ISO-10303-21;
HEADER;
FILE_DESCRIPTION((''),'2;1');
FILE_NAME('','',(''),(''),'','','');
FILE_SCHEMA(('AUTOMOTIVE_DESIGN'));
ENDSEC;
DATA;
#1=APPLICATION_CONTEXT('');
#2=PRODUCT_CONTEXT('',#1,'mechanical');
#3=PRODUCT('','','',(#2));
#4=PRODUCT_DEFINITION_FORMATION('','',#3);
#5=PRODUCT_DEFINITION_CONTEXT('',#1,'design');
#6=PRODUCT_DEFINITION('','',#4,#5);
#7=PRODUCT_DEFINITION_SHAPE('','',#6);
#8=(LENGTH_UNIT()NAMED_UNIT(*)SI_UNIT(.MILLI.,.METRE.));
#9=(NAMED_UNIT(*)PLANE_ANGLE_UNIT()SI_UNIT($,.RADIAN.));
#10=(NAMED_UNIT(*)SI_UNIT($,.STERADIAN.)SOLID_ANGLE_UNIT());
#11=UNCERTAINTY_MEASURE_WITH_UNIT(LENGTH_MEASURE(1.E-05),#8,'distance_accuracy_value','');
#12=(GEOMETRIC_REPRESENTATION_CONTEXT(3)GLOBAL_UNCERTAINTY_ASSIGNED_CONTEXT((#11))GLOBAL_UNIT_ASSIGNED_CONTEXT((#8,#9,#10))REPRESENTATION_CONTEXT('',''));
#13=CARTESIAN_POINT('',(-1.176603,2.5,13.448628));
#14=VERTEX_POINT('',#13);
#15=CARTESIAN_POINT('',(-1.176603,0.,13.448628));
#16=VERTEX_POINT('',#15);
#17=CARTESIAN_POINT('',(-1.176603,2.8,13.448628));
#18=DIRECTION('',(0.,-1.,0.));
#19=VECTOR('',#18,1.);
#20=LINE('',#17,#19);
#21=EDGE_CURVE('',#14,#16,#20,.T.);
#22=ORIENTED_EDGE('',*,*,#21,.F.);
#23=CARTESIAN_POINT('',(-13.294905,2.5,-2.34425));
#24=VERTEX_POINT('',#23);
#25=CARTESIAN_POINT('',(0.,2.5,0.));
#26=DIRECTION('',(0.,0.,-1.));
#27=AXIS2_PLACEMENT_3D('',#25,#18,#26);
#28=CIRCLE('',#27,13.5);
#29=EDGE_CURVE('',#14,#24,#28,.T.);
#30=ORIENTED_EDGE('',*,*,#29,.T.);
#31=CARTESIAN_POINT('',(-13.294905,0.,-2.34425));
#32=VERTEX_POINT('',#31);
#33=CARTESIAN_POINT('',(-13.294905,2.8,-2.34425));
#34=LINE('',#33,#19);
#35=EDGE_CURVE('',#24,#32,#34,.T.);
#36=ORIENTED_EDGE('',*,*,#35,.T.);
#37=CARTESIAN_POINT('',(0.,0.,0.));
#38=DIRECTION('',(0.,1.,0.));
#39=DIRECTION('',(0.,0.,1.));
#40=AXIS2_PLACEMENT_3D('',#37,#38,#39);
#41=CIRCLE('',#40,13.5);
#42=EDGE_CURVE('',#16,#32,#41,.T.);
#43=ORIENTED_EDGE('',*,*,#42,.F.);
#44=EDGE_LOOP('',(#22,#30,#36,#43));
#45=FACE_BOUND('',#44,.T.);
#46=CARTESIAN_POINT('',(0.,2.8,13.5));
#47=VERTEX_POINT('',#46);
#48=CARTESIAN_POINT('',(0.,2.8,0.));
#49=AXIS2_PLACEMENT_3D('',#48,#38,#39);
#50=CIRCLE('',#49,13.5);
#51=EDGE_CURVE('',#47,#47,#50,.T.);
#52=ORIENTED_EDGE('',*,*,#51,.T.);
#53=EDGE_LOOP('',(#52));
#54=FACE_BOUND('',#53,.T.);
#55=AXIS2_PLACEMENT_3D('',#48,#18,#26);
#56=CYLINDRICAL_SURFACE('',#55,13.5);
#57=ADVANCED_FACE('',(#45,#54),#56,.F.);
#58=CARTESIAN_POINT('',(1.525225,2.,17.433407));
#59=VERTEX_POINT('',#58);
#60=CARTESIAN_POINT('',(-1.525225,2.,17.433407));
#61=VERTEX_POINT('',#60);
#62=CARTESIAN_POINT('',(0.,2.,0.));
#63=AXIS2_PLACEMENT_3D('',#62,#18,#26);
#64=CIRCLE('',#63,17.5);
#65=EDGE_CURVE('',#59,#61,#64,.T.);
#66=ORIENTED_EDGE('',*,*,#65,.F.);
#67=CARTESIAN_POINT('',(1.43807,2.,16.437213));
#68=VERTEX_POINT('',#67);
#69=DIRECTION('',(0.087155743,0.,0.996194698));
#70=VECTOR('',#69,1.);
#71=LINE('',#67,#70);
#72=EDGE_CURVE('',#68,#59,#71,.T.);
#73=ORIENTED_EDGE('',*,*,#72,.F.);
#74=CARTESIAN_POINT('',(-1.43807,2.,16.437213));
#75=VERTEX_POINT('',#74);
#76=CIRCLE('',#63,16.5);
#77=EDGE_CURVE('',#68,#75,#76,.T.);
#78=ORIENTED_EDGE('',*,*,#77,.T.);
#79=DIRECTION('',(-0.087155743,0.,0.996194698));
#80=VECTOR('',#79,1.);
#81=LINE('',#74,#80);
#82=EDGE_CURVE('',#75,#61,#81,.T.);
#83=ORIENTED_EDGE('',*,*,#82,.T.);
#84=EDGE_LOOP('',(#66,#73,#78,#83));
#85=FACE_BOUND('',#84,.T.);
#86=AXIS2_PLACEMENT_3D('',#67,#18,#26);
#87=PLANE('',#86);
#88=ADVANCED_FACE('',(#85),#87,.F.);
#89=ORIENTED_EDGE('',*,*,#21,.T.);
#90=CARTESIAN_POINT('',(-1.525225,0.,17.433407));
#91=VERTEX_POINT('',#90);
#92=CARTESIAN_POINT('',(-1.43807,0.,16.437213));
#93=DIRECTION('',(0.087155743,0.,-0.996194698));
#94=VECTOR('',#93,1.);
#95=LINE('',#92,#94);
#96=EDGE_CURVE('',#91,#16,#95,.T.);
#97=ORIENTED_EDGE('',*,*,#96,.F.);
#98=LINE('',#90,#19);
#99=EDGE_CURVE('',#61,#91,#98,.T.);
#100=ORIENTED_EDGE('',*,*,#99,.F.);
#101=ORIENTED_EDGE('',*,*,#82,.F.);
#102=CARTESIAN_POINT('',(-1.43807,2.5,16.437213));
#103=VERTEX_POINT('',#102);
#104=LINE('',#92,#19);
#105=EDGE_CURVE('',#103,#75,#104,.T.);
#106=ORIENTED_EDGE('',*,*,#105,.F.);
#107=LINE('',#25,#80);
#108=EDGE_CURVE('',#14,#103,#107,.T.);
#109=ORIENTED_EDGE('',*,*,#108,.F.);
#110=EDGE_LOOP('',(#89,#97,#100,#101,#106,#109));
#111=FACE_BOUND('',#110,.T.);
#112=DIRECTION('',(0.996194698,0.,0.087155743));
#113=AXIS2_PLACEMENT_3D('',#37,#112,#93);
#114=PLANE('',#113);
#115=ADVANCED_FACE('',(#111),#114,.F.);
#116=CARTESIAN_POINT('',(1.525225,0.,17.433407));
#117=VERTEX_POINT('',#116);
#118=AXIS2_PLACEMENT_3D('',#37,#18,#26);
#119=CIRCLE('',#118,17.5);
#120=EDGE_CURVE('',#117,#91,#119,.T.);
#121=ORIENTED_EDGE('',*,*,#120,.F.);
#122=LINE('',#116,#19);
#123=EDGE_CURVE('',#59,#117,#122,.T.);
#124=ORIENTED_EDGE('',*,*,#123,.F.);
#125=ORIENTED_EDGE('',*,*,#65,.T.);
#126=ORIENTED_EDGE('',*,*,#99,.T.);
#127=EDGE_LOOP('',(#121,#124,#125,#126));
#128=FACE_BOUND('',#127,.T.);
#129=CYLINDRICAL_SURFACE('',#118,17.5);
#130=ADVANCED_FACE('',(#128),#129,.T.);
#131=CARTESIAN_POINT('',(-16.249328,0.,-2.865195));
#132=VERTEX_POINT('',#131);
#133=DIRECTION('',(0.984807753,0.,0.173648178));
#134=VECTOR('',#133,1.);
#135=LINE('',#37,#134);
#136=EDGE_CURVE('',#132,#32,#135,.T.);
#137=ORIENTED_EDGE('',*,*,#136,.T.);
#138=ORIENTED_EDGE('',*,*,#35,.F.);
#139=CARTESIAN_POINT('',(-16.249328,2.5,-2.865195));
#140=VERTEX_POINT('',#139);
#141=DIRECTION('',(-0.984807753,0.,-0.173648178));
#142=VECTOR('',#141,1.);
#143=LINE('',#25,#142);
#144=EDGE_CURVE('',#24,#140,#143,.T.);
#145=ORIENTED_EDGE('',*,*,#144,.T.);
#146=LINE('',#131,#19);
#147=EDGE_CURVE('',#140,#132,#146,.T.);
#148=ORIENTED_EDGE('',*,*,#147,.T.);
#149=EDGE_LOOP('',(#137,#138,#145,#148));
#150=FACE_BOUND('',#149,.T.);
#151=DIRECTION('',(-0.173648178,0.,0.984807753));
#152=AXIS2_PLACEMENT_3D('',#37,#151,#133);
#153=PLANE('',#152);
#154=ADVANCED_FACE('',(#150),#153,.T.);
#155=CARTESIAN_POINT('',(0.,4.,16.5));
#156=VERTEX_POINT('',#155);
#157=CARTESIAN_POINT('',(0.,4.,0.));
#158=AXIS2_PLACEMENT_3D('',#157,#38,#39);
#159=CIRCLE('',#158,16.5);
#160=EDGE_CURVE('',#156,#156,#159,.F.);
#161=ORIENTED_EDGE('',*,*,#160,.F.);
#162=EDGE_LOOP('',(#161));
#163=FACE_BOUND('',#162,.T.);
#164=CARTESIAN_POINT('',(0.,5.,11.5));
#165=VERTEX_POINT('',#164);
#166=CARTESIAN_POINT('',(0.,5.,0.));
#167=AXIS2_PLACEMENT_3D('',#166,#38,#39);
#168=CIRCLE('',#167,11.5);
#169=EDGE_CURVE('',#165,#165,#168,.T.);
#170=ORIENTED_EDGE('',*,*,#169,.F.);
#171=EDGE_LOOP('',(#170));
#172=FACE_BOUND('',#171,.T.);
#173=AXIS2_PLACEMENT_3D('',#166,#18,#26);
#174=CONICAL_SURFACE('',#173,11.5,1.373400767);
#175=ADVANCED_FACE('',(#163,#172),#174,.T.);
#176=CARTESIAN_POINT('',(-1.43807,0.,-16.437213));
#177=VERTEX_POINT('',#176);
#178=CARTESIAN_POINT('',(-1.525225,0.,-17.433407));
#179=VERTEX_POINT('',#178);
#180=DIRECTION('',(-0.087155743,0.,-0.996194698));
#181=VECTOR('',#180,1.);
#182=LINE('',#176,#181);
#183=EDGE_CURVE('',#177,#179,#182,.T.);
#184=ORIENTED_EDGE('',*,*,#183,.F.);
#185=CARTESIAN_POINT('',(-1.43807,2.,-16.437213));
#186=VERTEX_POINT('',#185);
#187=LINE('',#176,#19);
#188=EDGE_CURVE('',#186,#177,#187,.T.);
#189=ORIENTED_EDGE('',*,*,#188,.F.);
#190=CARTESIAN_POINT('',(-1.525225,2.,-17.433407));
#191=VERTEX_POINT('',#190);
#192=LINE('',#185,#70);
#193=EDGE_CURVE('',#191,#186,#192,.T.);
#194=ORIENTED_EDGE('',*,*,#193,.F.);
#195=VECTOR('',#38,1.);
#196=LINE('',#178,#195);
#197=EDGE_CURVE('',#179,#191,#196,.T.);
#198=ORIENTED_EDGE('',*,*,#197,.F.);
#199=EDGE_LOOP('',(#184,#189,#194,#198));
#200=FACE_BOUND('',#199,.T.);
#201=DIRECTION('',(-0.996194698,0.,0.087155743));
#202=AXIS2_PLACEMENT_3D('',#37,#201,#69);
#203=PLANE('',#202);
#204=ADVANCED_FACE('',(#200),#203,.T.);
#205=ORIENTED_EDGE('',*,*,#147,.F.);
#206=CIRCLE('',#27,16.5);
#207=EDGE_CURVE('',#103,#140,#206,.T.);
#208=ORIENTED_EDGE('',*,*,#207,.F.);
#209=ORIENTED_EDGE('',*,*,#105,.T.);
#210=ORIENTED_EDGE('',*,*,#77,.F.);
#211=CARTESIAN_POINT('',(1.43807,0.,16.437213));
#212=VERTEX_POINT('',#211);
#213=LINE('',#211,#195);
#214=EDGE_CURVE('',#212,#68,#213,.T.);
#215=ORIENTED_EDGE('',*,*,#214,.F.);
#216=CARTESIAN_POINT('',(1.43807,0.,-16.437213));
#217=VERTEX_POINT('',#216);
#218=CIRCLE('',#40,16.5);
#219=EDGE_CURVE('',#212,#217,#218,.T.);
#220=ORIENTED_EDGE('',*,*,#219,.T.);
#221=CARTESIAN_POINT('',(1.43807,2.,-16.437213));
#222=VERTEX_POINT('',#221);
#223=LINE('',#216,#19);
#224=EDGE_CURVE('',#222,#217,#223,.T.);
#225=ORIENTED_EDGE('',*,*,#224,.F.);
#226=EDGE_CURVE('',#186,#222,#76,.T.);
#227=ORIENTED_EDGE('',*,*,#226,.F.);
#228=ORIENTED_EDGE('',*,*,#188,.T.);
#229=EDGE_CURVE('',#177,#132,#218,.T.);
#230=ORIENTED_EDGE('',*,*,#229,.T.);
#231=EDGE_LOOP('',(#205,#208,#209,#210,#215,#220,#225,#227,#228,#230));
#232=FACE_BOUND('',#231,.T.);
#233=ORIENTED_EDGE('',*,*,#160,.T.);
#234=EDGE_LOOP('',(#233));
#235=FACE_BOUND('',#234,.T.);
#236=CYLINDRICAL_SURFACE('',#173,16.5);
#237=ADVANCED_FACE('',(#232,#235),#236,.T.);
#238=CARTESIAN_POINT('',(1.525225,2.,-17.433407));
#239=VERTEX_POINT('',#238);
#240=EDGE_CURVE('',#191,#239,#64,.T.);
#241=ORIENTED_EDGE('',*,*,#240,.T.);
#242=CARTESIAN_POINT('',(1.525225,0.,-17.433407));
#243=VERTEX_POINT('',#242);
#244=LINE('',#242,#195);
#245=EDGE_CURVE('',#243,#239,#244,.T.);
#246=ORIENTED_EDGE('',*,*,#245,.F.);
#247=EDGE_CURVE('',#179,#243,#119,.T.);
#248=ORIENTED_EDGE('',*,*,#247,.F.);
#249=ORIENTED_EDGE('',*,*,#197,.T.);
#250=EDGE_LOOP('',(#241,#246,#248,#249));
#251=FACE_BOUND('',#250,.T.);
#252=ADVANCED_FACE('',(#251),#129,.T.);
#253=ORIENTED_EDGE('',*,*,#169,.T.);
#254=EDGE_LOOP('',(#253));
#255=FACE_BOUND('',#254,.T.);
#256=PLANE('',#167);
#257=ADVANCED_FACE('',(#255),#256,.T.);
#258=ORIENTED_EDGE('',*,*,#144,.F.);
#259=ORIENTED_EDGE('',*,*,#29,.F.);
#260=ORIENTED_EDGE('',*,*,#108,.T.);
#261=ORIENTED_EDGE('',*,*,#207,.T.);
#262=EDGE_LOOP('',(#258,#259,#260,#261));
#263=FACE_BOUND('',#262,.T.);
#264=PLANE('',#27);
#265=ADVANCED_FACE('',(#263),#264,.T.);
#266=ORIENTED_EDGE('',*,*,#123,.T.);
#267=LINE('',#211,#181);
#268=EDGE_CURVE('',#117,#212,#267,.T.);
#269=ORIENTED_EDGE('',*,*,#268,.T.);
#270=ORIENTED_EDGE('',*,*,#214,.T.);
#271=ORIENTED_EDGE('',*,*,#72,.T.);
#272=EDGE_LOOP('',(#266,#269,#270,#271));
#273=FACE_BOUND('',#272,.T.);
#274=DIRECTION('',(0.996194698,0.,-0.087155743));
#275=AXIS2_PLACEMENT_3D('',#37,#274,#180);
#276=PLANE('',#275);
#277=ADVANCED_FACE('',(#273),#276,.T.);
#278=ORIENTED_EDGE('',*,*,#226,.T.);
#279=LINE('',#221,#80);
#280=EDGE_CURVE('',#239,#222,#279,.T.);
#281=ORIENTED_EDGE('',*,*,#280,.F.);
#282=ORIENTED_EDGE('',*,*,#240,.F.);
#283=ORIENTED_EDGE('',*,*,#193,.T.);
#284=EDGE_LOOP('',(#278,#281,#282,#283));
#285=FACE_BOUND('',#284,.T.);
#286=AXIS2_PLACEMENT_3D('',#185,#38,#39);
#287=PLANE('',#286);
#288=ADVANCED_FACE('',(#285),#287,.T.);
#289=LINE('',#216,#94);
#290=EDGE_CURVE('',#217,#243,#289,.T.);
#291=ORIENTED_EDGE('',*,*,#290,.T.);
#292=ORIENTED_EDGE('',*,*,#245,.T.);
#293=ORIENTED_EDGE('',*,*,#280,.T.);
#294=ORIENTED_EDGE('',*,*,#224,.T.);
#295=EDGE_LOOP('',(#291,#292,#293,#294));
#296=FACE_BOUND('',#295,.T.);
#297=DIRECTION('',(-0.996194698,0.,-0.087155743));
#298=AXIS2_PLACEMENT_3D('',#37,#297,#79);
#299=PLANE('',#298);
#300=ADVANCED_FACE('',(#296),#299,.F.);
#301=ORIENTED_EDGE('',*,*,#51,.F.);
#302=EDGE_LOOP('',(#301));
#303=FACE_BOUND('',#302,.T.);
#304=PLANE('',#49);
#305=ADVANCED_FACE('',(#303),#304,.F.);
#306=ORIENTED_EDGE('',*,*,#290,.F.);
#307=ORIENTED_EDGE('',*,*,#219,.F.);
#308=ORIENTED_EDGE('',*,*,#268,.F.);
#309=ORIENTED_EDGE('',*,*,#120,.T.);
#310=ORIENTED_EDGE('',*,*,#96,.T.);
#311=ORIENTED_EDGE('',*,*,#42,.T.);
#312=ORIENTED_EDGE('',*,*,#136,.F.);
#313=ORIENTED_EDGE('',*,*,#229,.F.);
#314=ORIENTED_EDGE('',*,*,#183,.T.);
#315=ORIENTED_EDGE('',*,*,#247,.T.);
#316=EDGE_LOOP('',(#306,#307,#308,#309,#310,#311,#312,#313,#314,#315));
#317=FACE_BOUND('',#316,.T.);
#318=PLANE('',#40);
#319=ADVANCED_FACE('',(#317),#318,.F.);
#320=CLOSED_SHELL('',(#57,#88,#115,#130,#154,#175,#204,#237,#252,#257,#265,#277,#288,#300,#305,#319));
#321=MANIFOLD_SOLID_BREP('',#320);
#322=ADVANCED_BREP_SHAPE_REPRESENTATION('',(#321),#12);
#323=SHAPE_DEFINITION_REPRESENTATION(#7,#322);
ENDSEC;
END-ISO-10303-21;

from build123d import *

# Parameters (mm, degrees)
SKETCH1_R                    = 16.5
BOSS_EXTRUDE1_DEPTH          = 5
CHAMFER2_SIZE                = 1
CHAMFER2_SIZE2               = 5
SKETCH3_R                    = 13.5
CUT_EXTRUDE1_DEPTH           = 2.8
SKETCH5_W                    = 1
SKETCH5_H                    = 2
REVOLVE4_ANGLE               = 5
REVOLVE4_OTHER_WAY_ANGLE     = 5
SKETCH6_W                    = 1
SKETCH6_H                    = 2
REVOLVE6_ANGLE               = 5
REVOLVE6_OTHER_WAY_ANGLE     = 5
SKETCH9_W                    = 16.5
SKETCH9_H                    = 2.5
CUT_REVOLVE1_ANGLE           = 85
CUT_REVOLVE1_OTHER_WAY_ANGLE = 10


with BuildPart() as part:
    # Sketch1 → Boss-Extrude1 (new body)
    with BuildSketch(Plane(origin=(0, 0, 0), x_dir=(1, 0, 0), z_dir=(0, 1, 0))):
        with Locations(Location((0, 0, 0), (0, 0, 270))):
            Circle(SKETCH1_R)
    extrude(amount=BOSS_EXTRUDE1_DEPTH)

    # Chamfer2
    chamfer2_edges = [part.edges().sort_by_distance(p)[0] for p in [
        (0, 5, -16.5),
    ]]
    chamfer2_side = [part.faces().sort_by_distance(p)[0] for p in [
        (0, 2.5, -16.5),
    ]]
    chamfer(chamfer2_edges, length=CHAMFER2_SIZE, length2=CHAMFER2_SIZE2, reference=chamfer2_side[0])

    # Sketch3 → Cut-Extrude1 (cut)
    with BuildSketch(Plane(origin=(0, 0, 0), x_dir=(1, 0, 0), z_dir=(0, 1, 0))):
        with Locations(Location((0, 0, 0), (0, 0, 270))):
            Circle(SKETCH3_R)
    extrude(amount=CUT_EXTRUDE1_DEPTH, mode=Mode.SUBTRACT)

    # Sketch5 → Revolve4 (revolve)
    with BuildSketch(Plane(origin=(0, 0, 0), x_dir=(0, 0, -1), z_dir=(1, 0, 0))):
        with Locations((17, 1)):
            Rectangle(SKETCH5_W, SKETCH5_H)
    revolve(axis=Axis((0, 0, 0), (0, 1, 0)), revolution_arc=REVOLVE4_ANGLE)

    # Sketch5 → Revolve4 other way (revolve)
    with BuildSketch(Plane(origin=(0, 0, 0), x_dir=(0, 0, -1), z_dir=(1, 0, 0))):
        with Locations((17, 1)):
            Rectangle(SKETCH5_W, SKETCH5_H)
    revolve(axis=Axis((0, 0, 0), (0, -1, 0)), revolution_arc=REVOLVE4_OTHER_WAY_ANGLE)

    # Sketch6 → Revolve6 (revolve)
    with BuildSketch(Plane(origin=(0, 0, 0), x_dir=(0, 0, -1), z_dir=(1, 0, 0))):
        with Locations((-17, 1)):
            Rectangle(SKETCH6_W, SKETCH6_H)
    revolve(axis=Axis((0, 0, 0), (0, 1, 0)), revolution_arc=REVOLVE6_ANGLE)

    # Sketch6 → Revolve6 other way (revolve)
    with BuildSketch(Plane(origin=(0, 0, 0), x_dir=(0, 0, -1), z_dir=(1, 0, 0))):
        with Locations((-17, 1)):
            Rectangle(SKETCH6_W, SKETCH6_H)
    revolve(axis=Axis((0, 0, 0), (0, -1, 0)), revolution_arc=REVOLVE6_OTHER_WAY_ANGLE)

    # Sketch9 → Cut-Revolve1 (revolve, cut)
    with BuildSketch(Plane.XY):
        with Locations((-8.25, 1.25)):
            Rectangle(SKETCH9_W, SKETCH9_H)
    revolve(axis=Axis((0, 0, 0), (0, 1, 0)), revolution_arc=CUT_REVOLVE1_ANGLE, mode=Mode.SUBTRACT)

    # Sketch9 → Cut-Revolve1 other way (revolve, cut)
    with BuildSketch(Plane.XY):
        with Locations((-8.25, 1.25)):
            Rectangle(SKETCH9_W, SKETCH9_H)
    revolve(axis=Axis((0, 0, 0), (0, -1, 0)), revolution_arc=CUT_REVOLVE1_OTHER_WAY_ANGLE, mode=Mode.SUBTRACT)


solid = part.part
